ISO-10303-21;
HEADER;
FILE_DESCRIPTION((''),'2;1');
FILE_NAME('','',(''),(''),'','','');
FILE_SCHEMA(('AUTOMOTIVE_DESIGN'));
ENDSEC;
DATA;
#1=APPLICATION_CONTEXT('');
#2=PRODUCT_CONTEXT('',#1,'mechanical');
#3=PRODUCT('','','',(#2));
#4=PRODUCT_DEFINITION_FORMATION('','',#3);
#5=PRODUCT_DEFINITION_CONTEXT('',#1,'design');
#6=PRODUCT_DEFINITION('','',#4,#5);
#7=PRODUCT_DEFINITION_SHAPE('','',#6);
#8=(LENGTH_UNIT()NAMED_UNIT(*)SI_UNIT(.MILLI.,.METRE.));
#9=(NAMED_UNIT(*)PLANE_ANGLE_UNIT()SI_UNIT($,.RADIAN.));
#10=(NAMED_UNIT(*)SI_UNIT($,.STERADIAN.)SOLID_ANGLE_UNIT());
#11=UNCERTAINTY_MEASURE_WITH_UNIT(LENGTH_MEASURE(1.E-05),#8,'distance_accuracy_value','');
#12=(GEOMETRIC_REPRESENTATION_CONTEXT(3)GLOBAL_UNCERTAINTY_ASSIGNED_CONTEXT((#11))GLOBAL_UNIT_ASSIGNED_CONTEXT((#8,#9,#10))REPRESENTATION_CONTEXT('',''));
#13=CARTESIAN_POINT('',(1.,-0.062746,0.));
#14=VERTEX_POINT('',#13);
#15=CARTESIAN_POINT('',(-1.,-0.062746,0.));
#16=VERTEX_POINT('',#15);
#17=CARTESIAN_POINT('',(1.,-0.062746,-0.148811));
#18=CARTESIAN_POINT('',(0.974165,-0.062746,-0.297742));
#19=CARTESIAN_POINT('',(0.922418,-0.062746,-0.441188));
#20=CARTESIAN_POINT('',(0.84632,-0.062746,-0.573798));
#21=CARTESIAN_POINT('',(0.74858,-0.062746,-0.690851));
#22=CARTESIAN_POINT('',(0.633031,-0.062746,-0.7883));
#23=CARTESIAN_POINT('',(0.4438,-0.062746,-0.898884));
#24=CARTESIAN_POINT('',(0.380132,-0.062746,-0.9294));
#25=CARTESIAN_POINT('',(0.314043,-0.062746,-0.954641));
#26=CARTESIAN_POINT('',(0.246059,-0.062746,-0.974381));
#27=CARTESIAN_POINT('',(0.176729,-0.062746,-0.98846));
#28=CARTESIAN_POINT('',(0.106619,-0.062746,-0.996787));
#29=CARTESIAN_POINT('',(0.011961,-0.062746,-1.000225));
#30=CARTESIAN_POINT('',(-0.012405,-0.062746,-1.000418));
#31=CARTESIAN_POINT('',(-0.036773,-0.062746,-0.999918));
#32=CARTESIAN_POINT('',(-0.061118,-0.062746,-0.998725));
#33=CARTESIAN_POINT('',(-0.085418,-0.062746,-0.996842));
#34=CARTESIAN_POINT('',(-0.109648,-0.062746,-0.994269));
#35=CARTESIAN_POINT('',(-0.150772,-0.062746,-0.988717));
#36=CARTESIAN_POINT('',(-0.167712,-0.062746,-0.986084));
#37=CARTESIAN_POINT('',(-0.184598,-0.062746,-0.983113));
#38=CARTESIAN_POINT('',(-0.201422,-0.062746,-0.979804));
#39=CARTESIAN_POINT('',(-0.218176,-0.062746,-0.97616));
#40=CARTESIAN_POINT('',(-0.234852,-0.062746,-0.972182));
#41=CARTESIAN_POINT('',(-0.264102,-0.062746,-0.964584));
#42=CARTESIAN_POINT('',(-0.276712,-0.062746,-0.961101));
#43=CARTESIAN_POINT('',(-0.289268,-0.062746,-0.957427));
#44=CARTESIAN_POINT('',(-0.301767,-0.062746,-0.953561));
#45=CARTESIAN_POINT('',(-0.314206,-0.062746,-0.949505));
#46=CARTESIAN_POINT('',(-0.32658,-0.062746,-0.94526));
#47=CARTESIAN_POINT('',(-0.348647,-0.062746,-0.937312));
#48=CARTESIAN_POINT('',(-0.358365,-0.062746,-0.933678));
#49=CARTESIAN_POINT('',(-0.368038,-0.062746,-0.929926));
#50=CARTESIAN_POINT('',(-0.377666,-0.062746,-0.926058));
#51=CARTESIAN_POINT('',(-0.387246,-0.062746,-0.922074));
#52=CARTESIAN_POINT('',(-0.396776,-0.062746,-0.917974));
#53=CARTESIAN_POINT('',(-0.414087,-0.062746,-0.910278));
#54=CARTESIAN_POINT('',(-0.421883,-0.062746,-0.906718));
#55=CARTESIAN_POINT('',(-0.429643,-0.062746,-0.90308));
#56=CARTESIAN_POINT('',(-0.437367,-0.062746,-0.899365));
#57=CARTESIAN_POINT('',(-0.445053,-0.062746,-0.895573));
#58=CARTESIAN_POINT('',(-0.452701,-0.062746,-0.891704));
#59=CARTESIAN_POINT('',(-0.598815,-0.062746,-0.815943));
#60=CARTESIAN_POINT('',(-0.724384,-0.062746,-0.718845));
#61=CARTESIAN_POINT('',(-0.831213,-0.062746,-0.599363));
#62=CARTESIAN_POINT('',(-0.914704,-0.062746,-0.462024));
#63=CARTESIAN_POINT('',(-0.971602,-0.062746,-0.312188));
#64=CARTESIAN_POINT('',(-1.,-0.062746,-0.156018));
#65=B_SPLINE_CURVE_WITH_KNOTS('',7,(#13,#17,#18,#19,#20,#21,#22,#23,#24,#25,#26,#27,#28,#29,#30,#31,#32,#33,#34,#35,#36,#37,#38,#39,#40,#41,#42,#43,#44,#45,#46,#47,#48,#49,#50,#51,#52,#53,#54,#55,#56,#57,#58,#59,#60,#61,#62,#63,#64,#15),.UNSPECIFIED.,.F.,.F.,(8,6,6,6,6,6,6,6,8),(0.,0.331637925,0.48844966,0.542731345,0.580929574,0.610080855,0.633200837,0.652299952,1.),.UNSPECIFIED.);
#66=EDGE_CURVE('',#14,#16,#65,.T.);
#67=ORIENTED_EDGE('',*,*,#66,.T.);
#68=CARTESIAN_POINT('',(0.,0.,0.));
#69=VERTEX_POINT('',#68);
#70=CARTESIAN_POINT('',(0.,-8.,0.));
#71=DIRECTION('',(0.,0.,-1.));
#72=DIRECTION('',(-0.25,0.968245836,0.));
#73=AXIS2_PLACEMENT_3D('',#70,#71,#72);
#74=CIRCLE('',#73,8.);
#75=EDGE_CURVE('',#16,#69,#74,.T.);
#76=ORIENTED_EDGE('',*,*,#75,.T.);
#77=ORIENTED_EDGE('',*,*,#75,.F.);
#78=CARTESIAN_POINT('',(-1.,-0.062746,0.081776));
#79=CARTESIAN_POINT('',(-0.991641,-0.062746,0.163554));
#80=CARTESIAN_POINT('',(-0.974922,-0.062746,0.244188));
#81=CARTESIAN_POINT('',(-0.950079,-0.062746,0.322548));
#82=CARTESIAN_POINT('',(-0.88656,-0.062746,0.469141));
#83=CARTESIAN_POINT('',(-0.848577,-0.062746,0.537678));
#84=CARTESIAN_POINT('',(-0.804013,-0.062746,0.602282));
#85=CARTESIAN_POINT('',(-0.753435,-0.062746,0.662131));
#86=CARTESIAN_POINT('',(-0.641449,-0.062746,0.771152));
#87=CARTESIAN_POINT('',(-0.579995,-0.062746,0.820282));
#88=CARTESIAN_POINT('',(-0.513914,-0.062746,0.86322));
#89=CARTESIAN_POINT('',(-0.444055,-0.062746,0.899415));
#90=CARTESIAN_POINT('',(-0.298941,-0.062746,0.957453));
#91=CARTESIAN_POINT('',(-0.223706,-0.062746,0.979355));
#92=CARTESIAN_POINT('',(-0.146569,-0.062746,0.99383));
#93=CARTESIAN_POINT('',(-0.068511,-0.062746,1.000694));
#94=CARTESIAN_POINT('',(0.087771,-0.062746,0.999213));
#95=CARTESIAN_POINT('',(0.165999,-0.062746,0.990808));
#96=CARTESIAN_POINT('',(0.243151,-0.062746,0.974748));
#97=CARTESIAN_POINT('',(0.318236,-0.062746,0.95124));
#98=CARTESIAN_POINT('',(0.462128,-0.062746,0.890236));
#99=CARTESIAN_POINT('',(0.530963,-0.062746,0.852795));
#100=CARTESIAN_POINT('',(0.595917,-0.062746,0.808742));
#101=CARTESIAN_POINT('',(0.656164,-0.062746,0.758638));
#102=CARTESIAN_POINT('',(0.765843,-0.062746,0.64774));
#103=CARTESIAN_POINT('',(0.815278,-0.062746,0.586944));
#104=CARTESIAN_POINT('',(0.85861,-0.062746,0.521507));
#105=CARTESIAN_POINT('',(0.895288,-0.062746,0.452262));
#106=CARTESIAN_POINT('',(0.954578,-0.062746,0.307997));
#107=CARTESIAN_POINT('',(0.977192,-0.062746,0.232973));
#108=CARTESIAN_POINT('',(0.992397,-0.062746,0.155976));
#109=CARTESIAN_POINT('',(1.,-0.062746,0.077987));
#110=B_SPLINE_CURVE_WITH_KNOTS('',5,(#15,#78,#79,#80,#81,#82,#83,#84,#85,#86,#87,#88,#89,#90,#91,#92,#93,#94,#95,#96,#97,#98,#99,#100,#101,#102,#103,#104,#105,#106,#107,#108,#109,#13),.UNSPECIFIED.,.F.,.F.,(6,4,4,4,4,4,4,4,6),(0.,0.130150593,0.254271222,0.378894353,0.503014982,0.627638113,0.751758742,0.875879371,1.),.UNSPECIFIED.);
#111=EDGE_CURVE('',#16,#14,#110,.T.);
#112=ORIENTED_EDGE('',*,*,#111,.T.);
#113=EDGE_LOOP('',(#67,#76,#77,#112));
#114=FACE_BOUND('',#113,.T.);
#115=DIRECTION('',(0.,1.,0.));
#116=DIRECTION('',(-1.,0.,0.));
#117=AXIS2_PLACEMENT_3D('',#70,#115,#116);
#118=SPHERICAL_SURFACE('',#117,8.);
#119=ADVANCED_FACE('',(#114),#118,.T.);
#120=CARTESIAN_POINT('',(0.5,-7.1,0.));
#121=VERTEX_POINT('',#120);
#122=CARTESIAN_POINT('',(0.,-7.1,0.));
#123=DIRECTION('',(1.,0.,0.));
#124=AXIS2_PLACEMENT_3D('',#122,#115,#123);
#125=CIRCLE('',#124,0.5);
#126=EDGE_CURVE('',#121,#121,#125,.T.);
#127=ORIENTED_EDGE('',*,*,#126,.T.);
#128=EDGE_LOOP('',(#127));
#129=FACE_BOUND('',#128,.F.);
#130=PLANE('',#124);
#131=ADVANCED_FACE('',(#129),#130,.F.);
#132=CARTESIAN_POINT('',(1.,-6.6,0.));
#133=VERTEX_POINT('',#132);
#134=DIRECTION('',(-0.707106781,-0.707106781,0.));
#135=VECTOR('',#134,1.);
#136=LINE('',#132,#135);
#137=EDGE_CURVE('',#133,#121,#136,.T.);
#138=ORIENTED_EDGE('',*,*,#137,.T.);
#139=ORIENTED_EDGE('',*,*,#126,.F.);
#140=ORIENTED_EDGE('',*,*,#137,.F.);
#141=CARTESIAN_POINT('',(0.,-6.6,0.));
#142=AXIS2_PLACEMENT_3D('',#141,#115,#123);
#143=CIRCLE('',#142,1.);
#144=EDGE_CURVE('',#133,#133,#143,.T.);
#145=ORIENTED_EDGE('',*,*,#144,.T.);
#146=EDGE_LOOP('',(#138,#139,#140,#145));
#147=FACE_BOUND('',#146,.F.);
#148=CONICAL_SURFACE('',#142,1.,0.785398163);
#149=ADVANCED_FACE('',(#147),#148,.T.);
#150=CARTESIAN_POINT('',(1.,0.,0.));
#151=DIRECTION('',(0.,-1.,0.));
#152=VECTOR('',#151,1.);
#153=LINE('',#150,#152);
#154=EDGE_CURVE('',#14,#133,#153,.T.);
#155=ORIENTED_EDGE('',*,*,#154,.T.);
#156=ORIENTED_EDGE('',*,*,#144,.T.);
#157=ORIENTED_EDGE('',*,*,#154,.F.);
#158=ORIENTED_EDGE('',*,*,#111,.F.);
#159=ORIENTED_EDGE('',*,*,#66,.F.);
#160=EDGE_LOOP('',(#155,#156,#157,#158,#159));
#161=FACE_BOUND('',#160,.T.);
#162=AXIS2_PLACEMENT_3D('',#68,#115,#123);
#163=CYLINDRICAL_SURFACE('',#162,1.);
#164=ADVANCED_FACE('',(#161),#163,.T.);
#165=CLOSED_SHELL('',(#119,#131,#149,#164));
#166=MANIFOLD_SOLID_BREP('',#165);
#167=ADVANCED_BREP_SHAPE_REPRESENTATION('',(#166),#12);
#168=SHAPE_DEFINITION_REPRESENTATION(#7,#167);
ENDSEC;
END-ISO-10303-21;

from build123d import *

# Parameters (mm, degrees)
SKETCH1_R                 = 1
BOSS_EXTRUDE_7_10MM_DEPTH = 7.1
F_0_5_X_45_DEG_SIZE       = 0.5


with BuildPart() as part:
    # Sketch1 → Boss-Extrude 7.10mm (new body)
    with BuildSketch(Plane(origin=(0, 0, 0), x_dir=(1, 0, 0), z_dir=(0, 1, 0))):
        Circle(SKETCH1_R)
    extrude(amount=-BOSS_EXTRUDE_7_10MM_DEPTH)

    # 0.5 x 45 deg
    f_0_5_x_45_deg_edges = [part.edges().sort_by_distance(p)[0] for p in [
        (-1, -7.1, 0),
    ]]
    chamfer(f_0_5_x_45_deg_edges, length=F_0_5_X_45_DEG_SIZE)

    # Sketch2 → SR8 (revolve, cut)
    with BuildSketch(Plane.XY):
        with BuildLine():
            Line((0, 2), (-2, 2))
            Line((-2, 2), (-2, -0.254033308))
            ThreePointArc((-2, -0.254033308), (-1.00803434, -0.06376243), (0, 0))
            Line((0, 0), (0, 2))
        make_face()
    revolve(axis=Axis((0, 0, 0), (0, 1, 0)), mode=Mode.SUBTRACT)


solid = part.part
